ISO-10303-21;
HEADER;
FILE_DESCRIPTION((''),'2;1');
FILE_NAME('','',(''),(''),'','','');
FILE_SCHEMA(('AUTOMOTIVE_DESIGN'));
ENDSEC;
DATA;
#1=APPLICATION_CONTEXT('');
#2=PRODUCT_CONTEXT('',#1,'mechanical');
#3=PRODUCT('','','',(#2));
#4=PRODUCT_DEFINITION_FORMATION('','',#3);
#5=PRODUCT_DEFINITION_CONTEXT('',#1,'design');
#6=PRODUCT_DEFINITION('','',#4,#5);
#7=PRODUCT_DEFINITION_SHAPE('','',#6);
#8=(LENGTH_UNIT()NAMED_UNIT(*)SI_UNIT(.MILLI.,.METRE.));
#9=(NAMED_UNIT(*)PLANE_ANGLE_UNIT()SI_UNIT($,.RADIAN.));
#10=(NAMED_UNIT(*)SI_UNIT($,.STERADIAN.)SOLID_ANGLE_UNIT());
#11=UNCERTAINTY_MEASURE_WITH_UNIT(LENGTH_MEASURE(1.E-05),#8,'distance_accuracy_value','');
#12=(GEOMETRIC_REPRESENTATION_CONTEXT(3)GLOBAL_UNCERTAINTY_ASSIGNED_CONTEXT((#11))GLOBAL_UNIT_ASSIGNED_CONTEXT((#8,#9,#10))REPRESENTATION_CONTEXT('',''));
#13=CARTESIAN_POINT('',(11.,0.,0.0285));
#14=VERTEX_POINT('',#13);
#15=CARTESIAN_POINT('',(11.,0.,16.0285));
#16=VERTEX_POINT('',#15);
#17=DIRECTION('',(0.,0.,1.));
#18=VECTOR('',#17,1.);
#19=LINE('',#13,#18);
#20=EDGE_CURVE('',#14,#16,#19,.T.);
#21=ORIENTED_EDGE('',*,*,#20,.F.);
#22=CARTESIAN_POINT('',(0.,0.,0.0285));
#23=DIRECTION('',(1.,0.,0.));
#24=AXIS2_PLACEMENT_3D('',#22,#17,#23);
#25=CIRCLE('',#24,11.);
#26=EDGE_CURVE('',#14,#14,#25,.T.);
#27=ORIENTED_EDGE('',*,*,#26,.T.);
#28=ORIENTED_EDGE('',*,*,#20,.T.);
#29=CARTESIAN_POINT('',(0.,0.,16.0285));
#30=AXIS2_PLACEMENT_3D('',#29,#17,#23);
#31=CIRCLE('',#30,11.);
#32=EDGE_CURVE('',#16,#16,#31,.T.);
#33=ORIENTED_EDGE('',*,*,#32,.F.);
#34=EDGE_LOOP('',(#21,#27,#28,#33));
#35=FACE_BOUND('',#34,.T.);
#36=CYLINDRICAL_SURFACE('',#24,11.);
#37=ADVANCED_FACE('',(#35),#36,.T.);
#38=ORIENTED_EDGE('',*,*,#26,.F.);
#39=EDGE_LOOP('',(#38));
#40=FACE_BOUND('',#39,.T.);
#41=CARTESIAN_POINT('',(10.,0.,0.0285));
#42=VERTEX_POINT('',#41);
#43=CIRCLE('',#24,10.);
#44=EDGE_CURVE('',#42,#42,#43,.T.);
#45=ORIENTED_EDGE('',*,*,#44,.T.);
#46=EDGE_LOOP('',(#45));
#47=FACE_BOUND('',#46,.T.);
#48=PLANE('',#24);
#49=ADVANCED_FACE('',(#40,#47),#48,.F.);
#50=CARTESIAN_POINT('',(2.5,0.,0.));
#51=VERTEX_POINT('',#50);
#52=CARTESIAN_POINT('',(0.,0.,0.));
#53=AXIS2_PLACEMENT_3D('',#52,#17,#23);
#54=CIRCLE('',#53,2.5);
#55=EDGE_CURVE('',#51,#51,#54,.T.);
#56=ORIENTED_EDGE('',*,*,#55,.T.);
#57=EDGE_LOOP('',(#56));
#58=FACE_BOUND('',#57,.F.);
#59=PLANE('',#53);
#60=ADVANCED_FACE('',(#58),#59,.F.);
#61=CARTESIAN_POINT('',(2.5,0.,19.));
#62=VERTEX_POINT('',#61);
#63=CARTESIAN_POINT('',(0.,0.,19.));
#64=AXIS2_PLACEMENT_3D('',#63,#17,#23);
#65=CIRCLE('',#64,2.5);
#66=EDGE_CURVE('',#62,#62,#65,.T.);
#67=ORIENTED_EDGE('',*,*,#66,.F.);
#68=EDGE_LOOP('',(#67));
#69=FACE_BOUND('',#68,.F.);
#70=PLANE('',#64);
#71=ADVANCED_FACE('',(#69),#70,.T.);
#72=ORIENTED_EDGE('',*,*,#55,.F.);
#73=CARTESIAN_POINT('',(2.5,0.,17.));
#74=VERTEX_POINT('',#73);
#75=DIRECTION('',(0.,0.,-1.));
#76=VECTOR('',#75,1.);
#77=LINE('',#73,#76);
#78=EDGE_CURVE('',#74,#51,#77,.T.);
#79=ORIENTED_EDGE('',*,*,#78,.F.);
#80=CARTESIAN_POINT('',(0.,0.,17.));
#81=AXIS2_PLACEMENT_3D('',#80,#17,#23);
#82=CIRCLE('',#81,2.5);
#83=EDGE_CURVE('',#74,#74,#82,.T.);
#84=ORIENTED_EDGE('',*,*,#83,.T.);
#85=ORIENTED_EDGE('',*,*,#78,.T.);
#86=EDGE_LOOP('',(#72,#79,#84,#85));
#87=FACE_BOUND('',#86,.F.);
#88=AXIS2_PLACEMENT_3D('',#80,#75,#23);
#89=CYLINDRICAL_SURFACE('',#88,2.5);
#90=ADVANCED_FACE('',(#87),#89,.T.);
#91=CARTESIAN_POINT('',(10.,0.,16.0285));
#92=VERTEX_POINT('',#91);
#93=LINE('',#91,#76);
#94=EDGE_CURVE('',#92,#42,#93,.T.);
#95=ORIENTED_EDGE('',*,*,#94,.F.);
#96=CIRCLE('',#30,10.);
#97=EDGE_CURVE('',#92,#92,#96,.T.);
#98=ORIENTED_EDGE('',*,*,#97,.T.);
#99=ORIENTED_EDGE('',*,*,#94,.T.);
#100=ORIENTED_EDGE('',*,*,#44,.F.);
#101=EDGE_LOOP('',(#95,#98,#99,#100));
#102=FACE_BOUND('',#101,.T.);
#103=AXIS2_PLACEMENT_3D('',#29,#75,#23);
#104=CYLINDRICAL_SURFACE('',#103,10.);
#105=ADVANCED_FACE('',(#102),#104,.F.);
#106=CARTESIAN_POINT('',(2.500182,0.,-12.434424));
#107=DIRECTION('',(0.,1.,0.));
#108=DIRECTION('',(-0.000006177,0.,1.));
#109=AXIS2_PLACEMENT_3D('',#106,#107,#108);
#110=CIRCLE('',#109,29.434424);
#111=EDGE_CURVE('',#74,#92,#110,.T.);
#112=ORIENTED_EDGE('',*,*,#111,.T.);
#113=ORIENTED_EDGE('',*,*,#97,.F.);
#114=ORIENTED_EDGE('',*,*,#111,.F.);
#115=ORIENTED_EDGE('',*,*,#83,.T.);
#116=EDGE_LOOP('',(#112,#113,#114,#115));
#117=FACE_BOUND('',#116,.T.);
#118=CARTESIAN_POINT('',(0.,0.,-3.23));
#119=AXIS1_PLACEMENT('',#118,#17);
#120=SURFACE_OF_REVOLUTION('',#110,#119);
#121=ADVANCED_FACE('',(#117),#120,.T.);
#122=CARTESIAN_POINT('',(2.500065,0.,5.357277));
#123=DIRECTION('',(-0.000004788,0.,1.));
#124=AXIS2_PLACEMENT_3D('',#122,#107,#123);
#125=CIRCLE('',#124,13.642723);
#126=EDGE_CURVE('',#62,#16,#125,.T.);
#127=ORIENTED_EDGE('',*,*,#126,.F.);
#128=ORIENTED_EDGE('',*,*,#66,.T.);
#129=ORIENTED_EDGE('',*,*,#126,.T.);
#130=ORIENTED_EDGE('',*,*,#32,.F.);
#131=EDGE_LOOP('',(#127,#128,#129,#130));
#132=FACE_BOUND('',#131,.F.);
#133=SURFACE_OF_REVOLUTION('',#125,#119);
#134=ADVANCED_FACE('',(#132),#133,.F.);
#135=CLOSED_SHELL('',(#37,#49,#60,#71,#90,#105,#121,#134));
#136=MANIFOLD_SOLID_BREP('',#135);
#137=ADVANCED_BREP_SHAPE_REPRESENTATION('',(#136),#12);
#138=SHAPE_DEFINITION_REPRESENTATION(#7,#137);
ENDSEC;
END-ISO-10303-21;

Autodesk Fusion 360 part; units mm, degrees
sketch "Sketch1" plane through (0, 0, 0) normal (0, 1, 0) x (1, 0, 0)
  line L0 (0, -19) -> (2.5, -19)
  line L1 (2.5, -17) -> (2.5, 0)
  line L2 (2.5, 0) -> (0, 0)
  line L3 (0, 0) -> (0, -19)
  line L4 (10, -0.0285) -> (11, -0.0285)
  line L5 (11, -0.0285) -> (11, -16.0285)
  line L6 (11, -16.0285) -> (10, -16.0285) construction
  line L7 (10, -16.0285) -> (10, -0.0285)
  line L8 (2.5, -17) -> (-5, -17) construction
  line L9 (2.5, -17) -> (2.5, -19) construction
  arc A0 (2.5, -17) -> (10, -16.0285) centre (2.5, 12.4344) ccw
  arc A1 (2.5, -19) -> (11, -16.0285) centre (2.5, -5.3573) ccw
  dimension "d1" = 2.5
  dimension "d2" = 1
  dimension "d5" = 19
  dimension "d6" = 11
  dimension "d8" = 17
  dimension "d9" = 16
revolve "Revolve1" add sketch "Sketch1" angle 360 about axis through (0, 0, -3.23) along (0, 0, 1)
